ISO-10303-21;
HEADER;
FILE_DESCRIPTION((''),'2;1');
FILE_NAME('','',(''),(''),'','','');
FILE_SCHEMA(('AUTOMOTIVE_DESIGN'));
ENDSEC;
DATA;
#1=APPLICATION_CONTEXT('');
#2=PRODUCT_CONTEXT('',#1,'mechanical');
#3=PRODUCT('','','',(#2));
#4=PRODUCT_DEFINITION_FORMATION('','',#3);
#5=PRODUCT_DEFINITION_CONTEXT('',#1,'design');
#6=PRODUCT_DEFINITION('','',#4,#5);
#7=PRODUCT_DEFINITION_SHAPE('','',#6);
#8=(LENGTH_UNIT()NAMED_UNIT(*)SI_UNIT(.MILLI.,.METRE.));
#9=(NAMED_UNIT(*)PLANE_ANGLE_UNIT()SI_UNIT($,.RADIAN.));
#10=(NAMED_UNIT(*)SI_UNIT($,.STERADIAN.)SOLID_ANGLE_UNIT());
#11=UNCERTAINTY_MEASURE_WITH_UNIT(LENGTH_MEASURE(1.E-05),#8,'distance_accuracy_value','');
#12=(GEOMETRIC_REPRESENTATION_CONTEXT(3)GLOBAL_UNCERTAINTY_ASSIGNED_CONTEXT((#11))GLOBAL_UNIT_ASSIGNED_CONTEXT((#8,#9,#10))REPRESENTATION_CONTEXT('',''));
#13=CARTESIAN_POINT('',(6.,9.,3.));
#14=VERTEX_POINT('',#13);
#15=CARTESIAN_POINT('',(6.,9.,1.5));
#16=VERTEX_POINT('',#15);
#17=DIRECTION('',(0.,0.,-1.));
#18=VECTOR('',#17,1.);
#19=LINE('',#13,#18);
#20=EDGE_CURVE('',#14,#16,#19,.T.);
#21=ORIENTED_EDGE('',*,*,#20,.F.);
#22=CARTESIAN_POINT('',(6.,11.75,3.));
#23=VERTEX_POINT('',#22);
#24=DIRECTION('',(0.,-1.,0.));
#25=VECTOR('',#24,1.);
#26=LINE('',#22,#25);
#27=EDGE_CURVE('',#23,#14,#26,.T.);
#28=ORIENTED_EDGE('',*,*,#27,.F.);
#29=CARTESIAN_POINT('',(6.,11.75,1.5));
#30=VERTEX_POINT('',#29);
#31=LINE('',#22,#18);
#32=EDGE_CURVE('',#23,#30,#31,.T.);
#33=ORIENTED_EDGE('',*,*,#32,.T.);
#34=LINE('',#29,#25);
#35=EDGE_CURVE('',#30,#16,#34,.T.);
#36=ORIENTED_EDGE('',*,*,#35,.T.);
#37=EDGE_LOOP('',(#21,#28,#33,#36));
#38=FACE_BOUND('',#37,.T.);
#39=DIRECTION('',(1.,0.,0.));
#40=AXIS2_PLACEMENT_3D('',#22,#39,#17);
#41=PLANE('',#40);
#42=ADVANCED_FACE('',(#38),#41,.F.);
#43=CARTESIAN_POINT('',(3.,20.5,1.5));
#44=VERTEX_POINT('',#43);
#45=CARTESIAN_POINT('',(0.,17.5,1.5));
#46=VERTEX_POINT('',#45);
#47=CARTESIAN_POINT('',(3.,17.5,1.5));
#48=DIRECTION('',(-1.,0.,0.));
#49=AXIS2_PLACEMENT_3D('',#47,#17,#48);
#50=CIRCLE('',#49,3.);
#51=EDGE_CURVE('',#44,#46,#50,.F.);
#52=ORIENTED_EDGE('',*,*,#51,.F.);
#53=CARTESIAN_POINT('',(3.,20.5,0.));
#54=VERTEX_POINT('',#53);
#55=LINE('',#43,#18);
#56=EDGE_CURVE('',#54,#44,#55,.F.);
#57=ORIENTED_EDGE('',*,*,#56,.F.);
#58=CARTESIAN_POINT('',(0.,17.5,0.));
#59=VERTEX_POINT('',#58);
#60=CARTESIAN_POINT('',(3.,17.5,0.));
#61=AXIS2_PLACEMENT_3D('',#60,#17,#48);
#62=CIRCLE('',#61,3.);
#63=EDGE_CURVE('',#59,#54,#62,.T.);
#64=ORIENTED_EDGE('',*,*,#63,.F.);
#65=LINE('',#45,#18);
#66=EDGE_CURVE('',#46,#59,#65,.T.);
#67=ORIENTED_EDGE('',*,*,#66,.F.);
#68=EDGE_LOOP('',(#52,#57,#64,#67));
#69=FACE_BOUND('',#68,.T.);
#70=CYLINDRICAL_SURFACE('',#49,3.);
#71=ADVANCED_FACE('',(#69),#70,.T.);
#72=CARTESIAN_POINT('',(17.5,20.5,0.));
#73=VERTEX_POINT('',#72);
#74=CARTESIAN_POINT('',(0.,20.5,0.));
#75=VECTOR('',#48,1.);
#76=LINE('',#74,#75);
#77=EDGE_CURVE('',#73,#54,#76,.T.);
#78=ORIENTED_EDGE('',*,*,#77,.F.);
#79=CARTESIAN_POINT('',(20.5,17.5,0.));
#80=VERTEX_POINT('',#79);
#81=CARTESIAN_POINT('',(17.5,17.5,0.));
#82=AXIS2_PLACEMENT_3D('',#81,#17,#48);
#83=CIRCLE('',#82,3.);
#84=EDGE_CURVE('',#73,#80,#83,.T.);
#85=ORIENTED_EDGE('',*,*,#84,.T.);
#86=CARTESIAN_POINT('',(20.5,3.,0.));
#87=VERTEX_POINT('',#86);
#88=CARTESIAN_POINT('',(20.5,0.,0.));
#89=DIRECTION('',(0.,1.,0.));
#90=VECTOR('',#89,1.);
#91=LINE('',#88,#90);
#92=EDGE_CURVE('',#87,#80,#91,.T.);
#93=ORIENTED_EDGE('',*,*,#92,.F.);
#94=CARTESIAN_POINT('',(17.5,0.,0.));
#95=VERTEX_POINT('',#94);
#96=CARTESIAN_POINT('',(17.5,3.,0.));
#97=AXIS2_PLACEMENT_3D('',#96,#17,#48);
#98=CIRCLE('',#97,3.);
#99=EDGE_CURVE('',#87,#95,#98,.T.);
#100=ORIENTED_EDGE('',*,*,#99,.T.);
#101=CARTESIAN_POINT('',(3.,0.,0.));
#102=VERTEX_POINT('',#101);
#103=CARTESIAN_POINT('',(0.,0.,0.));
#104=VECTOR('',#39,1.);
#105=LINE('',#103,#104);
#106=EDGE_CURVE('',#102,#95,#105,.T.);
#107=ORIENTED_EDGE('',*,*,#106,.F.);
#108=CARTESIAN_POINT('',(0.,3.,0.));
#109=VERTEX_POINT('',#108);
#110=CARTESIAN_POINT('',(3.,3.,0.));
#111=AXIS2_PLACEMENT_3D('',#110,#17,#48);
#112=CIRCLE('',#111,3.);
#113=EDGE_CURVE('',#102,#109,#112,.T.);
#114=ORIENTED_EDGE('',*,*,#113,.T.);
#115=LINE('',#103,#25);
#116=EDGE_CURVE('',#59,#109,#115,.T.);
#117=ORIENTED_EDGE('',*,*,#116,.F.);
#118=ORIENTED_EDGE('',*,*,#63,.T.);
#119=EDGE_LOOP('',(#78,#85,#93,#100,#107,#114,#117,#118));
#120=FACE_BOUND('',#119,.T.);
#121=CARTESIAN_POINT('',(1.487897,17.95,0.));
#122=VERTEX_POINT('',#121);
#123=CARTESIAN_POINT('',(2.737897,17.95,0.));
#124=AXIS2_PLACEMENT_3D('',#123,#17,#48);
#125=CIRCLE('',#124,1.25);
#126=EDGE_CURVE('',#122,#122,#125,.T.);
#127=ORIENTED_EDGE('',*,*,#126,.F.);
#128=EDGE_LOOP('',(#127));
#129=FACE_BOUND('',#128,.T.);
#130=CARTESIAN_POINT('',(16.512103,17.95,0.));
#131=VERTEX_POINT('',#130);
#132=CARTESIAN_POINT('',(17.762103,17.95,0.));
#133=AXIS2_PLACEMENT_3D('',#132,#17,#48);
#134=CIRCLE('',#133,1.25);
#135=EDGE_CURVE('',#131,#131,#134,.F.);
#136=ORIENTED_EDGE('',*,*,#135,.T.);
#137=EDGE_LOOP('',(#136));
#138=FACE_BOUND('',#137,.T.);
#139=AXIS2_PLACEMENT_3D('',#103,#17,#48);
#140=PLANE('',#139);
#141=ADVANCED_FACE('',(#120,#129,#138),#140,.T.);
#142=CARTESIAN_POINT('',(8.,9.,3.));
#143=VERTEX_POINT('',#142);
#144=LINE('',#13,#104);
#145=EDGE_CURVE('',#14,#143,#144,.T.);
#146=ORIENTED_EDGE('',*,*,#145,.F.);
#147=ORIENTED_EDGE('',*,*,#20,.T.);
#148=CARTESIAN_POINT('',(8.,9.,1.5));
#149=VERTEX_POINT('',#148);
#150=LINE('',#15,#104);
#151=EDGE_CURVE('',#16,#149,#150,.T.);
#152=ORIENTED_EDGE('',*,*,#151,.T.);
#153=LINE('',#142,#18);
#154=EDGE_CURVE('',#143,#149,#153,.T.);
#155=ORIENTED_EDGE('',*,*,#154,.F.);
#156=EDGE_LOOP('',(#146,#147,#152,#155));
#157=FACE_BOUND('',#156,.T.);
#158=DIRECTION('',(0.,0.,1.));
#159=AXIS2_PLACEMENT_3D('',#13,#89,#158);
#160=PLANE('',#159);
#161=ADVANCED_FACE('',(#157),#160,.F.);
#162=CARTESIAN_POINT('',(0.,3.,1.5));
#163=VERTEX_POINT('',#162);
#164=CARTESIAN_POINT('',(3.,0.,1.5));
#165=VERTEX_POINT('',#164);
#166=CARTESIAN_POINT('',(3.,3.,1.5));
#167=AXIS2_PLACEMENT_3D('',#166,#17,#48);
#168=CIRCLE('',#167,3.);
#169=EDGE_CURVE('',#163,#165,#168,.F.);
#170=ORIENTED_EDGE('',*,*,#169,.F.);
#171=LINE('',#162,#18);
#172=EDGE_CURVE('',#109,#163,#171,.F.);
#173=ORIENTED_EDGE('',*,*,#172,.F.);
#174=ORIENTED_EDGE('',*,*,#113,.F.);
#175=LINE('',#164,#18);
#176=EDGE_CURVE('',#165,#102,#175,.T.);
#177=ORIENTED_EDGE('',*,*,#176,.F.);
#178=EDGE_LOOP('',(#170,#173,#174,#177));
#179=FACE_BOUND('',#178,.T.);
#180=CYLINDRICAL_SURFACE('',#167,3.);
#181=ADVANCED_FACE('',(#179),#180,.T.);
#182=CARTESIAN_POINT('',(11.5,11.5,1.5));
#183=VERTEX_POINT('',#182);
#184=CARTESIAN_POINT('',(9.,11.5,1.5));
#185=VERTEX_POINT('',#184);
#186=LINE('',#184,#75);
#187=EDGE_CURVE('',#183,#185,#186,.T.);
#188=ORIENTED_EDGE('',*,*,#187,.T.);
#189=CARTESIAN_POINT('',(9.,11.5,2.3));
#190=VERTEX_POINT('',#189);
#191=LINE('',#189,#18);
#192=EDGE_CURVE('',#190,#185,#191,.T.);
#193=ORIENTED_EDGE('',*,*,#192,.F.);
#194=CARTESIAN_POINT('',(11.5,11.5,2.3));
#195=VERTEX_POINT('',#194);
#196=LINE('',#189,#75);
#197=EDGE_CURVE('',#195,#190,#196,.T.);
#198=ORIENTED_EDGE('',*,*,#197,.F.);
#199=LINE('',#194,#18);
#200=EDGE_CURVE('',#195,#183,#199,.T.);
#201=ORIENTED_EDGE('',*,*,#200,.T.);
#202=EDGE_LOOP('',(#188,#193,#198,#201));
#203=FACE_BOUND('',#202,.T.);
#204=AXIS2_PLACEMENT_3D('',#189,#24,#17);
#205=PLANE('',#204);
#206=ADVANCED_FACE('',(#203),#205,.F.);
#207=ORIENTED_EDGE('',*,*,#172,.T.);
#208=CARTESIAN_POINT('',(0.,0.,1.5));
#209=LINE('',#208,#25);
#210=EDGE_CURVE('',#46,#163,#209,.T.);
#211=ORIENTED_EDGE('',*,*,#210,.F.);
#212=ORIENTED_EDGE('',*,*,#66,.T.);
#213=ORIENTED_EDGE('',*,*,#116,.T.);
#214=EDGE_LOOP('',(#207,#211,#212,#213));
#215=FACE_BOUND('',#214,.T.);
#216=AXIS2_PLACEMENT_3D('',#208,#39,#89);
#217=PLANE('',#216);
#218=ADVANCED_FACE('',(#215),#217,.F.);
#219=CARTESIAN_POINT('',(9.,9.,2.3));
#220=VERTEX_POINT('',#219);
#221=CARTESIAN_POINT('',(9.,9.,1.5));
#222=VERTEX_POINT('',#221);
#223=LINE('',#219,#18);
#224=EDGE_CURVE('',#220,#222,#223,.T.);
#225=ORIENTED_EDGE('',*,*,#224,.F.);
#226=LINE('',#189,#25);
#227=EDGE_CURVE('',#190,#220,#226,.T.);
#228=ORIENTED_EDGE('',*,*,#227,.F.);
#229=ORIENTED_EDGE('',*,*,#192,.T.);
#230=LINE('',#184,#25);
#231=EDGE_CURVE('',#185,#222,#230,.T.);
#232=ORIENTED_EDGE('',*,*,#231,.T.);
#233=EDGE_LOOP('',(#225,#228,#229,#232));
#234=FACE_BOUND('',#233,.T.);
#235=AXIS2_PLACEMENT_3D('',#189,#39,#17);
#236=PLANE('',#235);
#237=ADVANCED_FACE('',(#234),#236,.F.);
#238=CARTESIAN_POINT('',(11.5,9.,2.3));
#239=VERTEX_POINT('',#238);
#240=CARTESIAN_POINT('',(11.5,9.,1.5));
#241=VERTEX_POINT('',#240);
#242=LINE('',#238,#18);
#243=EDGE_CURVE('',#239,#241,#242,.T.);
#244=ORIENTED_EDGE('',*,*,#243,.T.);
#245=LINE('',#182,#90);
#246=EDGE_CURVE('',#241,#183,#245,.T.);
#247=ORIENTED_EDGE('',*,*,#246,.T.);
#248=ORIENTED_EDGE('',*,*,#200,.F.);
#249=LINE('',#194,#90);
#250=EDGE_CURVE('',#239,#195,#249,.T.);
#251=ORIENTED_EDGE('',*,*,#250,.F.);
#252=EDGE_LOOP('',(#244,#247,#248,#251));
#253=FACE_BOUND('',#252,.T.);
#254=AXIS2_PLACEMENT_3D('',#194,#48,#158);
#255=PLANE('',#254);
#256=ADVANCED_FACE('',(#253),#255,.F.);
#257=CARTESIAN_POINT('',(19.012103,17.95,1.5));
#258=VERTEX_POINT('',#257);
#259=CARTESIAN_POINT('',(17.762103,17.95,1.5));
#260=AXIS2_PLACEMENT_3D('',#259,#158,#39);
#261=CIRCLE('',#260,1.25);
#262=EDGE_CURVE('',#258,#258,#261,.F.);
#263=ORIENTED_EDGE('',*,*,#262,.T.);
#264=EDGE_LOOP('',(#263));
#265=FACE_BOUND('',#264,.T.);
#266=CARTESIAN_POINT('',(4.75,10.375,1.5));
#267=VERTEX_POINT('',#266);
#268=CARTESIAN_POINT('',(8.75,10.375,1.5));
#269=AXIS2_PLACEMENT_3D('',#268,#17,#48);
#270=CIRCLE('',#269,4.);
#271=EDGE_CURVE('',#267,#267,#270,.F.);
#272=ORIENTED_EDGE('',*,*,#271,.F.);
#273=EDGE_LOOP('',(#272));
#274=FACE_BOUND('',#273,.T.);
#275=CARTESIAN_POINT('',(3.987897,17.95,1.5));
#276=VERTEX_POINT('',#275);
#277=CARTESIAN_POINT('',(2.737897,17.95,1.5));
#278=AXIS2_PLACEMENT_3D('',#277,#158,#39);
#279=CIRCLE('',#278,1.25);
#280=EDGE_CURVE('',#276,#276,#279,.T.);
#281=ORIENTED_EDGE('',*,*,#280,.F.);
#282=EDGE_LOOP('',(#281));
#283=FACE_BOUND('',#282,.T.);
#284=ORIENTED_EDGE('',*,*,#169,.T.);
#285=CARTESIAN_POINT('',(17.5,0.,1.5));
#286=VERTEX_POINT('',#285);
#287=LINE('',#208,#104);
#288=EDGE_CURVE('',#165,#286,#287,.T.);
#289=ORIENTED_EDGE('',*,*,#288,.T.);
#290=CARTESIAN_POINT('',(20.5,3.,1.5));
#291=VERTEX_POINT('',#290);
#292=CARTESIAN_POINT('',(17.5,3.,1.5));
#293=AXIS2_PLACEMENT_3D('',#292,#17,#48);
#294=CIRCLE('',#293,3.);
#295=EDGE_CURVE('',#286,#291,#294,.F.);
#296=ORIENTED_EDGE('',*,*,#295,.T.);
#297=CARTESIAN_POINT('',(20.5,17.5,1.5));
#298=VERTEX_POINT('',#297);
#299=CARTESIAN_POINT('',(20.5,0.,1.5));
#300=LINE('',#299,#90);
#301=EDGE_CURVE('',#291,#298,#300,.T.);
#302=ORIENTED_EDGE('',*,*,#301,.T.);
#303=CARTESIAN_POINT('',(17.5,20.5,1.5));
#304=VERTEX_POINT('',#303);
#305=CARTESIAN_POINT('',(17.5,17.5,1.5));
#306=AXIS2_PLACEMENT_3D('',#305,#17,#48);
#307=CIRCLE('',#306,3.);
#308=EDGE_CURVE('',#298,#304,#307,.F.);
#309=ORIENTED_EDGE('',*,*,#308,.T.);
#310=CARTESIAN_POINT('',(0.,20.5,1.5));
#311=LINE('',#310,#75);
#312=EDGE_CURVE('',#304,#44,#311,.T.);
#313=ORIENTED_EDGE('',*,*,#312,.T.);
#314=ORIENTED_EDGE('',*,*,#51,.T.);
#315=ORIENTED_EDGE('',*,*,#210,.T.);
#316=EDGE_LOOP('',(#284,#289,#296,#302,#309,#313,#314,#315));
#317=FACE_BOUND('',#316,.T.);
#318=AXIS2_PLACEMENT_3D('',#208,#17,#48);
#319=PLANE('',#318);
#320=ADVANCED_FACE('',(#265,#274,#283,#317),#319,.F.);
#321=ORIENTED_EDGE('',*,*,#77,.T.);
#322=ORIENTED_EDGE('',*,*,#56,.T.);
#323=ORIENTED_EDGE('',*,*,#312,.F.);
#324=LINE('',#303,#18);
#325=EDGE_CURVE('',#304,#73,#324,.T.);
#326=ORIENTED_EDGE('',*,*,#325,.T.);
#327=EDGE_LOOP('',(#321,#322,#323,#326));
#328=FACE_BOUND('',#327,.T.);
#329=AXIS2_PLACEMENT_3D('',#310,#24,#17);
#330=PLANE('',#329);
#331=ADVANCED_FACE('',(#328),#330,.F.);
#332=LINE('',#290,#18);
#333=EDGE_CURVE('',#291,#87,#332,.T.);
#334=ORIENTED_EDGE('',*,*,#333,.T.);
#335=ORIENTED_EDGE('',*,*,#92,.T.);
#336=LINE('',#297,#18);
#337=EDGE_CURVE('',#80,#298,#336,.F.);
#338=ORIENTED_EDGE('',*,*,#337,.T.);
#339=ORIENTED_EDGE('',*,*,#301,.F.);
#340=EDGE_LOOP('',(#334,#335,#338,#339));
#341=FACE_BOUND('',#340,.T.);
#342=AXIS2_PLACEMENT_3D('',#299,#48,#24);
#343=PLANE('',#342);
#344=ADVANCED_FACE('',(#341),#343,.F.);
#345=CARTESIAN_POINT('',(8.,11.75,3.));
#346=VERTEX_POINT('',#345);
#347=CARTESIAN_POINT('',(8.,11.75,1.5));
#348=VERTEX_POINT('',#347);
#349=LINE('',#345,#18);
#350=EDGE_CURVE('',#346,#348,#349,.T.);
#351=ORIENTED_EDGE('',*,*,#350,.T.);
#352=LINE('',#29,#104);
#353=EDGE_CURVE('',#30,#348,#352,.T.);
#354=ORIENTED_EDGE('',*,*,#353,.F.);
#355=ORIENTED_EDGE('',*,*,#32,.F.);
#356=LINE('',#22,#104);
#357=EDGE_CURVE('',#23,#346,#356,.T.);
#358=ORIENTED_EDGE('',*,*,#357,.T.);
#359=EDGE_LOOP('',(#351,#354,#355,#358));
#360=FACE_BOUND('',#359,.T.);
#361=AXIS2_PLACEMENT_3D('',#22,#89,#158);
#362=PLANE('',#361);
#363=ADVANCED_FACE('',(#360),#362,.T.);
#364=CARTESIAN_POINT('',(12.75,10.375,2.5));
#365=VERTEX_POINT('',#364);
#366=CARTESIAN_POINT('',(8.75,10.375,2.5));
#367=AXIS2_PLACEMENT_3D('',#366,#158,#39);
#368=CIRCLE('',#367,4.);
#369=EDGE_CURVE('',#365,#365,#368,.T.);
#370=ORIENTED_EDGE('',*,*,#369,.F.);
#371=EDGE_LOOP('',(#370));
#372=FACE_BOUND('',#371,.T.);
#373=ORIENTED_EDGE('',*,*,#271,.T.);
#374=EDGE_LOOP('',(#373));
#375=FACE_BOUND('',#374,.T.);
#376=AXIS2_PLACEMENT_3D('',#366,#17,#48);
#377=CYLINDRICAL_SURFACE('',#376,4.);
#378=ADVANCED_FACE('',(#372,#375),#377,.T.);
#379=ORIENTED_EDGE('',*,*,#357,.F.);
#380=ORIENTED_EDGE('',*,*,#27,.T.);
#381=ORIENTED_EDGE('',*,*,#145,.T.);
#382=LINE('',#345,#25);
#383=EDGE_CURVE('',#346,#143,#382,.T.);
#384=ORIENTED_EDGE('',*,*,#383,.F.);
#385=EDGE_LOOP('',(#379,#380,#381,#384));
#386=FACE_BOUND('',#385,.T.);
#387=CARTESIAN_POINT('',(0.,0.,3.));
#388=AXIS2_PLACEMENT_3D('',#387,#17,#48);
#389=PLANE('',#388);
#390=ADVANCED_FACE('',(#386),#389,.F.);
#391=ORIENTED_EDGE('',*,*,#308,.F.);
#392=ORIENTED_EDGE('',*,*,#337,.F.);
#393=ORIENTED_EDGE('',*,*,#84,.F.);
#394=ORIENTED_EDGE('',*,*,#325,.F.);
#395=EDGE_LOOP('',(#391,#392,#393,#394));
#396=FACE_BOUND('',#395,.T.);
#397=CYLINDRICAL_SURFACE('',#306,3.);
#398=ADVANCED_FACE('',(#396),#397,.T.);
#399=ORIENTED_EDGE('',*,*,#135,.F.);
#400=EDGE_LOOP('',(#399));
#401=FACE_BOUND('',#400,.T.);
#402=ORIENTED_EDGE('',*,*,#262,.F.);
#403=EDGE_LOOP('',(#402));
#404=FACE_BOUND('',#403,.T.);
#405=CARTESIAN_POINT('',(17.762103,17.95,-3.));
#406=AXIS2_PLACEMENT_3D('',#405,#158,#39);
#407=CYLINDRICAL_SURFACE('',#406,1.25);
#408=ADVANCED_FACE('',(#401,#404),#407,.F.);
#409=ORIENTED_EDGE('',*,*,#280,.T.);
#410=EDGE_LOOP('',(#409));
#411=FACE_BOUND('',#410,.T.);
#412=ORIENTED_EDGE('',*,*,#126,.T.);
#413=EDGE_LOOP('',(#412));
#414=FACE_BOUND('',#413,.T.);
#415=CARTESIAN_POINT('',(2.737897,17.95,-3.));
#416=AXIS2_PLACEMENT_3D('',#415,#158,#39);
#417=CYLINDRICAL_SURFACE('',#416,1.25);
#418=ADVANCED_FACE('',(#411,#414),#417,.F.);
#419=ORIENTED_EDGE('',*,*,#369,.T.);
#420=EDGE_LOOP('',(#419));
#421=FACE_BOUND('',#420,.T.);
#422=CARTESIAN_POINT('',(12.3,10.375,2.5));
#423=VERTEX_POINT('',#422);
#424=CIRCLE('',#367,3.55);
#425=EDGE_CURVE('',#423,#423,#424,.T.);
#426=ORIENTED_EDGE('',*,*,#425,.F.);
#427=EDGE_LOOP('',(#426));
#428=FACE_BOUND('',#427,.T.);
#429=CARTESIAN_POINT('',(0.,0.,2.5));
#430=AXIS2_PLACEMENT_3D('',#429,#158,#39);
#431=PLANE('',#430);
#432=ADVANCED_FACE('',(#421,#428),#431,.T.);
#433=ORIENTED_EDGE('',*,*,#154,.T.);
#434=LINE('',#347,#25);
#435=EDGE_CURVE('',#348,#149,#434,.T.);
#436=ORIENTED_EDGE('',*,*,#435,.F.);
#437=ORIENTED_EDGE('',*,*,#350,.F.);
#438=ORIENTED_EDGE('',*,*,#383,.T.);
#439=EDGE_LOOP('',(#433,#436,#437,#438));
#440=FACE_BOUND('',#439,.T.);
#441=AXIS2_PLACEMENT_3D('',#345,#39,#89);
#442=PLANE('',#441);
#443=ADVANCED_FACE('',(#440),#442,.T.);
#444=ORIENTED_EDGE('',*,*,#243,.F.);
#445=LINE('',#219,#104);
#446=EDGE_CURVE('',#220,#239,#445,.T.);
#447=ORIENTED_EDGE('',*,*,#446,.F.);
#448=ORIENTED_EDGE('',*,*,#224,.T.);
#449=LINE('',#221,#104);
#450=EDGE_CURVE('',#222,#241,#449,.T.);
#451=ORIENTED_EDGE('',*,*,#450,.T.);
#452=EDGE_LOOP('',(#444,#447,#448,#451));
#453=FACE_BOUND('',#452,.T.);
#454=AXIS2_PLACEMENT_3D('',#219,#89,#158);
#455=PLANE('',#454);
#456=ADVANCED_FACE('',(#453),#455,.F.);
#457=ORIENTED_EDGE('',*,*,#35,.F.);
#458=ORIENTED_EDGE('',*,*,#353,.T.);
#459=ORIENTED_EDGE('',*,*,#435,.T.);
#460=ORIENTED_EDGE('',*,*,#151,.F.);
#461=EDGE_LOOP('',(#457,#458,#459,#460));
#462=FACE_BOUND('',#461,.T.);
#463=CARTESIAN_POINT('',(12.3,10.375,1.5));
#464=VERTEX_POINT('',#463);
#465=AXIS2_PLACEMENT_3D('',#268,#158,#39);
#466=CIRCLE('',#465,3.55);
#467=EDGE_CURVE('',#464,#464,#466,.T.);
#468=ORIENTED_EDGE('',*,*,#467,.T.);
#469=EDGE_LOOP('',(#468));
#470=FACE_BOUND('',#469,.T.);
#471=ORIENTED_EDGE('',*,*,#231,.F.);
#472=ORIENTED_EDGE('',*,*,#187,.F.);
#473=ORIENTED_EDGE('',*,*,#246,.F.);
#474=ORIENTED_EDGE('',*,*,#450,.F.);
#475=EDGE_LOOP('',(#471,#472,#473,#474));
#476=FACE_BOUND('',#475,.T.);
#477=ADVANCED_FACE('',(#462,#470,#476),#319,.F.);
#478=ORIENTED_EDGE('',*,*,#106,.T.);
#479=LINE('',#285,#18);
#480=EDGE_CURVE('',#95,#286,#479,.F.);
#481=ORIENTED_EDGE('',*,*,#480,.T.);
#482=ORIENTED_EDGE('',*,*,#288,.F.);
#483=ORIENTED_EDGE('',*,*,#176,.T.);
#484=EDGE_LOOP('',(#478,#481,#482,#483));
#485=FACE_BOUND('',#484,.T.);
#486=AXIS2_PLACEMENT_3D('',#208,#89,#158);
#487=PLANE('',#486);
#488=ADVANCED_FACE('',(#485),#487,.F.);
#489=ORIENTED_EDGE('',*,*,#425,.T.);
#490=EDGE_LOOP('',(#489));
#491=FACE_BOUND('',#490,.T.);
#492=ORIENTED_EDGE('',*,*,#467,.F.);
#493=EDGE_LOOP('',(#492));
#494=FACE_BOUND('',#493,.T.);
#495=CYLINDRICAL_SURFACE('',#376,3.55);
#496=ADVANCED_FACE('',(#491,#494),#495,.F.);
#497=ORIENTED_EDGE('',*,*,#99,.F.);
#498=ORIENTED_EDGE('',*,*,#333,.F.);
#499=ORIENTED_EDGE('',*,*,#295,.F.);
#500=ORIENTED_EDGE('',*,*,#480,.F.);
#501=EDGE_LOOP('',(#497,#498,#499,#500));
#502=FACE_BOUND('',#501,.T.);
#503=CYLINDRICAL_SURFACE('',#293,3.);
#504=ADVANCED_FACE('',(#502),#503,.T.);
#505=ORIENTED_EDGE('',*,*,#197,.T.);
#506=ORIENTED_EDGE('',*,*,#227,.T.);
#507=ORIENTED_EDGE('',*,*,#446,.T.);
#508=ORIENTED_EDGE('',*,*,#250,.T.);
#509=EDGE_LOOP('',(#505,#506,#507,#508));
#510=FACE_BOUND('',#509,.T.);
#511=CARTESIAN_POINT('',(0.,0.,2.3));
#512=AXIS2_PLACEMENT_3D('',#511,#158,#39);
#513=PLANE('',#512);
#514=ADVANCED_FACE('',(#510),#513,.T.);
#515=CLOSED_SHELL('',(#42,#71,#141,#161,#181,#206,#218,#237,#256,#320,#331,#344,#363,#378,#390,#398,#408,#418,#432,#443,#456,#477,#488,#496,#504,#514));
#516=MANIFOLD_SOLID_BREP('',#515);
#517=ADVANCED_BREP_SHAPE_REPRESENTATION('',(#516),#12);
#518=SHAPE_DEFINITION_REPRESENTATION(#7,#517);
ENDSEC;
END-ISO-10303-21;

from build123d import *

# Parameters (mm, degrees)
SKETCH1_W           = 20.5
SKETCH1_H           = 20.5
BOSS_EXTRUDE1_DEPTH = 1.5
FILLET1_R           = 3
SKETCH9_R           = 1.25
CUT_EXTRUDE1_DEPTH  = 4.5
SKETCH10_W          = 2.5
SKETCH10_H          = 2.5
BOSS_EXTRUDE2_DEPTH = 0.8
SKETCH11_W          = 2
SKETCH11_H          = 2.75
BOSS_EXTRUDE3_DEPTH = 1.5
SKETCH12_R          = 4
SKETCH12_R_2        = 3.55
BOSS_EXTRUDE4_DEPTH = 1


with BuildPart() as part:
    # Sketch1 → Boss-Extrude1 (new body)
    with BuildSketch(Plane.XY):
        with Locations((10.25, 10.25)):
            Rectangle(SKETCH1_W, SKETCH1_H)
    extrude(amount=BOSS_EXTRUDE1_DEPTH)

    # Fillet1
    fillet1_edges = [part.edges().sort_by_distance(p)[0] for p in [
        (0, 20.5, 0.75),
        (20.5, 20.5, 0.75),
        (20.5, 0, 0.75),
        (0, 0, 0.75),
    ]]
    fillet(fillet1_edges, radius=FILLET1_R)

    # Sketch9 → Cut-Extrude1 (cut)
    with BuildSketch(Plane.XY.offset(1.5)):
        with Locations((17.762103221, 17.95)):
            Circle(SKETCH9_R)
        with Locations((2.737896779, 17.95)):
            Circle(SKETCH9_R)
    extrude(amount=-CUT_EXTRUDE1_DEPTH, mode=Mode.SUBTRACT)

    # Sketch10 → Boss-Extrude2 (add)
    with BuildSketch(Plane.XY.offset(1.5)):
        with Locations((10.25, 10.25)):
            Rectangle(SKETCH10_W, SKETCH10_H)
    extrude(amount=BOSS_EXTRUDE2_DEPTH)

    # Sketch11 → Boss-Extrude3 (add)
    with BuildSketch(Plane.XY.offset(1.5)):
        with Locations((7, 10.375)):
            Rectangle(SKETCH11_W, SKETCH11_H)
    extrude(amount=BOSS_EXTRUDE3_DEPTH)

    # Sketch12 → Boss-Extrude4 (add)
    with BuildSketch(Plane.XY.offset(1.5)):
        with Locations((8.75, 10.375)):
            Circle(SKETCH12_R)
        with Locations((8.75, 10.375)):
            Circle(SKETCH12_R_2, mode=Mode.SUBTRACT)
    extrude(amount=BOSS_EXTRUDE4_DEPTH)


solid = part.part
